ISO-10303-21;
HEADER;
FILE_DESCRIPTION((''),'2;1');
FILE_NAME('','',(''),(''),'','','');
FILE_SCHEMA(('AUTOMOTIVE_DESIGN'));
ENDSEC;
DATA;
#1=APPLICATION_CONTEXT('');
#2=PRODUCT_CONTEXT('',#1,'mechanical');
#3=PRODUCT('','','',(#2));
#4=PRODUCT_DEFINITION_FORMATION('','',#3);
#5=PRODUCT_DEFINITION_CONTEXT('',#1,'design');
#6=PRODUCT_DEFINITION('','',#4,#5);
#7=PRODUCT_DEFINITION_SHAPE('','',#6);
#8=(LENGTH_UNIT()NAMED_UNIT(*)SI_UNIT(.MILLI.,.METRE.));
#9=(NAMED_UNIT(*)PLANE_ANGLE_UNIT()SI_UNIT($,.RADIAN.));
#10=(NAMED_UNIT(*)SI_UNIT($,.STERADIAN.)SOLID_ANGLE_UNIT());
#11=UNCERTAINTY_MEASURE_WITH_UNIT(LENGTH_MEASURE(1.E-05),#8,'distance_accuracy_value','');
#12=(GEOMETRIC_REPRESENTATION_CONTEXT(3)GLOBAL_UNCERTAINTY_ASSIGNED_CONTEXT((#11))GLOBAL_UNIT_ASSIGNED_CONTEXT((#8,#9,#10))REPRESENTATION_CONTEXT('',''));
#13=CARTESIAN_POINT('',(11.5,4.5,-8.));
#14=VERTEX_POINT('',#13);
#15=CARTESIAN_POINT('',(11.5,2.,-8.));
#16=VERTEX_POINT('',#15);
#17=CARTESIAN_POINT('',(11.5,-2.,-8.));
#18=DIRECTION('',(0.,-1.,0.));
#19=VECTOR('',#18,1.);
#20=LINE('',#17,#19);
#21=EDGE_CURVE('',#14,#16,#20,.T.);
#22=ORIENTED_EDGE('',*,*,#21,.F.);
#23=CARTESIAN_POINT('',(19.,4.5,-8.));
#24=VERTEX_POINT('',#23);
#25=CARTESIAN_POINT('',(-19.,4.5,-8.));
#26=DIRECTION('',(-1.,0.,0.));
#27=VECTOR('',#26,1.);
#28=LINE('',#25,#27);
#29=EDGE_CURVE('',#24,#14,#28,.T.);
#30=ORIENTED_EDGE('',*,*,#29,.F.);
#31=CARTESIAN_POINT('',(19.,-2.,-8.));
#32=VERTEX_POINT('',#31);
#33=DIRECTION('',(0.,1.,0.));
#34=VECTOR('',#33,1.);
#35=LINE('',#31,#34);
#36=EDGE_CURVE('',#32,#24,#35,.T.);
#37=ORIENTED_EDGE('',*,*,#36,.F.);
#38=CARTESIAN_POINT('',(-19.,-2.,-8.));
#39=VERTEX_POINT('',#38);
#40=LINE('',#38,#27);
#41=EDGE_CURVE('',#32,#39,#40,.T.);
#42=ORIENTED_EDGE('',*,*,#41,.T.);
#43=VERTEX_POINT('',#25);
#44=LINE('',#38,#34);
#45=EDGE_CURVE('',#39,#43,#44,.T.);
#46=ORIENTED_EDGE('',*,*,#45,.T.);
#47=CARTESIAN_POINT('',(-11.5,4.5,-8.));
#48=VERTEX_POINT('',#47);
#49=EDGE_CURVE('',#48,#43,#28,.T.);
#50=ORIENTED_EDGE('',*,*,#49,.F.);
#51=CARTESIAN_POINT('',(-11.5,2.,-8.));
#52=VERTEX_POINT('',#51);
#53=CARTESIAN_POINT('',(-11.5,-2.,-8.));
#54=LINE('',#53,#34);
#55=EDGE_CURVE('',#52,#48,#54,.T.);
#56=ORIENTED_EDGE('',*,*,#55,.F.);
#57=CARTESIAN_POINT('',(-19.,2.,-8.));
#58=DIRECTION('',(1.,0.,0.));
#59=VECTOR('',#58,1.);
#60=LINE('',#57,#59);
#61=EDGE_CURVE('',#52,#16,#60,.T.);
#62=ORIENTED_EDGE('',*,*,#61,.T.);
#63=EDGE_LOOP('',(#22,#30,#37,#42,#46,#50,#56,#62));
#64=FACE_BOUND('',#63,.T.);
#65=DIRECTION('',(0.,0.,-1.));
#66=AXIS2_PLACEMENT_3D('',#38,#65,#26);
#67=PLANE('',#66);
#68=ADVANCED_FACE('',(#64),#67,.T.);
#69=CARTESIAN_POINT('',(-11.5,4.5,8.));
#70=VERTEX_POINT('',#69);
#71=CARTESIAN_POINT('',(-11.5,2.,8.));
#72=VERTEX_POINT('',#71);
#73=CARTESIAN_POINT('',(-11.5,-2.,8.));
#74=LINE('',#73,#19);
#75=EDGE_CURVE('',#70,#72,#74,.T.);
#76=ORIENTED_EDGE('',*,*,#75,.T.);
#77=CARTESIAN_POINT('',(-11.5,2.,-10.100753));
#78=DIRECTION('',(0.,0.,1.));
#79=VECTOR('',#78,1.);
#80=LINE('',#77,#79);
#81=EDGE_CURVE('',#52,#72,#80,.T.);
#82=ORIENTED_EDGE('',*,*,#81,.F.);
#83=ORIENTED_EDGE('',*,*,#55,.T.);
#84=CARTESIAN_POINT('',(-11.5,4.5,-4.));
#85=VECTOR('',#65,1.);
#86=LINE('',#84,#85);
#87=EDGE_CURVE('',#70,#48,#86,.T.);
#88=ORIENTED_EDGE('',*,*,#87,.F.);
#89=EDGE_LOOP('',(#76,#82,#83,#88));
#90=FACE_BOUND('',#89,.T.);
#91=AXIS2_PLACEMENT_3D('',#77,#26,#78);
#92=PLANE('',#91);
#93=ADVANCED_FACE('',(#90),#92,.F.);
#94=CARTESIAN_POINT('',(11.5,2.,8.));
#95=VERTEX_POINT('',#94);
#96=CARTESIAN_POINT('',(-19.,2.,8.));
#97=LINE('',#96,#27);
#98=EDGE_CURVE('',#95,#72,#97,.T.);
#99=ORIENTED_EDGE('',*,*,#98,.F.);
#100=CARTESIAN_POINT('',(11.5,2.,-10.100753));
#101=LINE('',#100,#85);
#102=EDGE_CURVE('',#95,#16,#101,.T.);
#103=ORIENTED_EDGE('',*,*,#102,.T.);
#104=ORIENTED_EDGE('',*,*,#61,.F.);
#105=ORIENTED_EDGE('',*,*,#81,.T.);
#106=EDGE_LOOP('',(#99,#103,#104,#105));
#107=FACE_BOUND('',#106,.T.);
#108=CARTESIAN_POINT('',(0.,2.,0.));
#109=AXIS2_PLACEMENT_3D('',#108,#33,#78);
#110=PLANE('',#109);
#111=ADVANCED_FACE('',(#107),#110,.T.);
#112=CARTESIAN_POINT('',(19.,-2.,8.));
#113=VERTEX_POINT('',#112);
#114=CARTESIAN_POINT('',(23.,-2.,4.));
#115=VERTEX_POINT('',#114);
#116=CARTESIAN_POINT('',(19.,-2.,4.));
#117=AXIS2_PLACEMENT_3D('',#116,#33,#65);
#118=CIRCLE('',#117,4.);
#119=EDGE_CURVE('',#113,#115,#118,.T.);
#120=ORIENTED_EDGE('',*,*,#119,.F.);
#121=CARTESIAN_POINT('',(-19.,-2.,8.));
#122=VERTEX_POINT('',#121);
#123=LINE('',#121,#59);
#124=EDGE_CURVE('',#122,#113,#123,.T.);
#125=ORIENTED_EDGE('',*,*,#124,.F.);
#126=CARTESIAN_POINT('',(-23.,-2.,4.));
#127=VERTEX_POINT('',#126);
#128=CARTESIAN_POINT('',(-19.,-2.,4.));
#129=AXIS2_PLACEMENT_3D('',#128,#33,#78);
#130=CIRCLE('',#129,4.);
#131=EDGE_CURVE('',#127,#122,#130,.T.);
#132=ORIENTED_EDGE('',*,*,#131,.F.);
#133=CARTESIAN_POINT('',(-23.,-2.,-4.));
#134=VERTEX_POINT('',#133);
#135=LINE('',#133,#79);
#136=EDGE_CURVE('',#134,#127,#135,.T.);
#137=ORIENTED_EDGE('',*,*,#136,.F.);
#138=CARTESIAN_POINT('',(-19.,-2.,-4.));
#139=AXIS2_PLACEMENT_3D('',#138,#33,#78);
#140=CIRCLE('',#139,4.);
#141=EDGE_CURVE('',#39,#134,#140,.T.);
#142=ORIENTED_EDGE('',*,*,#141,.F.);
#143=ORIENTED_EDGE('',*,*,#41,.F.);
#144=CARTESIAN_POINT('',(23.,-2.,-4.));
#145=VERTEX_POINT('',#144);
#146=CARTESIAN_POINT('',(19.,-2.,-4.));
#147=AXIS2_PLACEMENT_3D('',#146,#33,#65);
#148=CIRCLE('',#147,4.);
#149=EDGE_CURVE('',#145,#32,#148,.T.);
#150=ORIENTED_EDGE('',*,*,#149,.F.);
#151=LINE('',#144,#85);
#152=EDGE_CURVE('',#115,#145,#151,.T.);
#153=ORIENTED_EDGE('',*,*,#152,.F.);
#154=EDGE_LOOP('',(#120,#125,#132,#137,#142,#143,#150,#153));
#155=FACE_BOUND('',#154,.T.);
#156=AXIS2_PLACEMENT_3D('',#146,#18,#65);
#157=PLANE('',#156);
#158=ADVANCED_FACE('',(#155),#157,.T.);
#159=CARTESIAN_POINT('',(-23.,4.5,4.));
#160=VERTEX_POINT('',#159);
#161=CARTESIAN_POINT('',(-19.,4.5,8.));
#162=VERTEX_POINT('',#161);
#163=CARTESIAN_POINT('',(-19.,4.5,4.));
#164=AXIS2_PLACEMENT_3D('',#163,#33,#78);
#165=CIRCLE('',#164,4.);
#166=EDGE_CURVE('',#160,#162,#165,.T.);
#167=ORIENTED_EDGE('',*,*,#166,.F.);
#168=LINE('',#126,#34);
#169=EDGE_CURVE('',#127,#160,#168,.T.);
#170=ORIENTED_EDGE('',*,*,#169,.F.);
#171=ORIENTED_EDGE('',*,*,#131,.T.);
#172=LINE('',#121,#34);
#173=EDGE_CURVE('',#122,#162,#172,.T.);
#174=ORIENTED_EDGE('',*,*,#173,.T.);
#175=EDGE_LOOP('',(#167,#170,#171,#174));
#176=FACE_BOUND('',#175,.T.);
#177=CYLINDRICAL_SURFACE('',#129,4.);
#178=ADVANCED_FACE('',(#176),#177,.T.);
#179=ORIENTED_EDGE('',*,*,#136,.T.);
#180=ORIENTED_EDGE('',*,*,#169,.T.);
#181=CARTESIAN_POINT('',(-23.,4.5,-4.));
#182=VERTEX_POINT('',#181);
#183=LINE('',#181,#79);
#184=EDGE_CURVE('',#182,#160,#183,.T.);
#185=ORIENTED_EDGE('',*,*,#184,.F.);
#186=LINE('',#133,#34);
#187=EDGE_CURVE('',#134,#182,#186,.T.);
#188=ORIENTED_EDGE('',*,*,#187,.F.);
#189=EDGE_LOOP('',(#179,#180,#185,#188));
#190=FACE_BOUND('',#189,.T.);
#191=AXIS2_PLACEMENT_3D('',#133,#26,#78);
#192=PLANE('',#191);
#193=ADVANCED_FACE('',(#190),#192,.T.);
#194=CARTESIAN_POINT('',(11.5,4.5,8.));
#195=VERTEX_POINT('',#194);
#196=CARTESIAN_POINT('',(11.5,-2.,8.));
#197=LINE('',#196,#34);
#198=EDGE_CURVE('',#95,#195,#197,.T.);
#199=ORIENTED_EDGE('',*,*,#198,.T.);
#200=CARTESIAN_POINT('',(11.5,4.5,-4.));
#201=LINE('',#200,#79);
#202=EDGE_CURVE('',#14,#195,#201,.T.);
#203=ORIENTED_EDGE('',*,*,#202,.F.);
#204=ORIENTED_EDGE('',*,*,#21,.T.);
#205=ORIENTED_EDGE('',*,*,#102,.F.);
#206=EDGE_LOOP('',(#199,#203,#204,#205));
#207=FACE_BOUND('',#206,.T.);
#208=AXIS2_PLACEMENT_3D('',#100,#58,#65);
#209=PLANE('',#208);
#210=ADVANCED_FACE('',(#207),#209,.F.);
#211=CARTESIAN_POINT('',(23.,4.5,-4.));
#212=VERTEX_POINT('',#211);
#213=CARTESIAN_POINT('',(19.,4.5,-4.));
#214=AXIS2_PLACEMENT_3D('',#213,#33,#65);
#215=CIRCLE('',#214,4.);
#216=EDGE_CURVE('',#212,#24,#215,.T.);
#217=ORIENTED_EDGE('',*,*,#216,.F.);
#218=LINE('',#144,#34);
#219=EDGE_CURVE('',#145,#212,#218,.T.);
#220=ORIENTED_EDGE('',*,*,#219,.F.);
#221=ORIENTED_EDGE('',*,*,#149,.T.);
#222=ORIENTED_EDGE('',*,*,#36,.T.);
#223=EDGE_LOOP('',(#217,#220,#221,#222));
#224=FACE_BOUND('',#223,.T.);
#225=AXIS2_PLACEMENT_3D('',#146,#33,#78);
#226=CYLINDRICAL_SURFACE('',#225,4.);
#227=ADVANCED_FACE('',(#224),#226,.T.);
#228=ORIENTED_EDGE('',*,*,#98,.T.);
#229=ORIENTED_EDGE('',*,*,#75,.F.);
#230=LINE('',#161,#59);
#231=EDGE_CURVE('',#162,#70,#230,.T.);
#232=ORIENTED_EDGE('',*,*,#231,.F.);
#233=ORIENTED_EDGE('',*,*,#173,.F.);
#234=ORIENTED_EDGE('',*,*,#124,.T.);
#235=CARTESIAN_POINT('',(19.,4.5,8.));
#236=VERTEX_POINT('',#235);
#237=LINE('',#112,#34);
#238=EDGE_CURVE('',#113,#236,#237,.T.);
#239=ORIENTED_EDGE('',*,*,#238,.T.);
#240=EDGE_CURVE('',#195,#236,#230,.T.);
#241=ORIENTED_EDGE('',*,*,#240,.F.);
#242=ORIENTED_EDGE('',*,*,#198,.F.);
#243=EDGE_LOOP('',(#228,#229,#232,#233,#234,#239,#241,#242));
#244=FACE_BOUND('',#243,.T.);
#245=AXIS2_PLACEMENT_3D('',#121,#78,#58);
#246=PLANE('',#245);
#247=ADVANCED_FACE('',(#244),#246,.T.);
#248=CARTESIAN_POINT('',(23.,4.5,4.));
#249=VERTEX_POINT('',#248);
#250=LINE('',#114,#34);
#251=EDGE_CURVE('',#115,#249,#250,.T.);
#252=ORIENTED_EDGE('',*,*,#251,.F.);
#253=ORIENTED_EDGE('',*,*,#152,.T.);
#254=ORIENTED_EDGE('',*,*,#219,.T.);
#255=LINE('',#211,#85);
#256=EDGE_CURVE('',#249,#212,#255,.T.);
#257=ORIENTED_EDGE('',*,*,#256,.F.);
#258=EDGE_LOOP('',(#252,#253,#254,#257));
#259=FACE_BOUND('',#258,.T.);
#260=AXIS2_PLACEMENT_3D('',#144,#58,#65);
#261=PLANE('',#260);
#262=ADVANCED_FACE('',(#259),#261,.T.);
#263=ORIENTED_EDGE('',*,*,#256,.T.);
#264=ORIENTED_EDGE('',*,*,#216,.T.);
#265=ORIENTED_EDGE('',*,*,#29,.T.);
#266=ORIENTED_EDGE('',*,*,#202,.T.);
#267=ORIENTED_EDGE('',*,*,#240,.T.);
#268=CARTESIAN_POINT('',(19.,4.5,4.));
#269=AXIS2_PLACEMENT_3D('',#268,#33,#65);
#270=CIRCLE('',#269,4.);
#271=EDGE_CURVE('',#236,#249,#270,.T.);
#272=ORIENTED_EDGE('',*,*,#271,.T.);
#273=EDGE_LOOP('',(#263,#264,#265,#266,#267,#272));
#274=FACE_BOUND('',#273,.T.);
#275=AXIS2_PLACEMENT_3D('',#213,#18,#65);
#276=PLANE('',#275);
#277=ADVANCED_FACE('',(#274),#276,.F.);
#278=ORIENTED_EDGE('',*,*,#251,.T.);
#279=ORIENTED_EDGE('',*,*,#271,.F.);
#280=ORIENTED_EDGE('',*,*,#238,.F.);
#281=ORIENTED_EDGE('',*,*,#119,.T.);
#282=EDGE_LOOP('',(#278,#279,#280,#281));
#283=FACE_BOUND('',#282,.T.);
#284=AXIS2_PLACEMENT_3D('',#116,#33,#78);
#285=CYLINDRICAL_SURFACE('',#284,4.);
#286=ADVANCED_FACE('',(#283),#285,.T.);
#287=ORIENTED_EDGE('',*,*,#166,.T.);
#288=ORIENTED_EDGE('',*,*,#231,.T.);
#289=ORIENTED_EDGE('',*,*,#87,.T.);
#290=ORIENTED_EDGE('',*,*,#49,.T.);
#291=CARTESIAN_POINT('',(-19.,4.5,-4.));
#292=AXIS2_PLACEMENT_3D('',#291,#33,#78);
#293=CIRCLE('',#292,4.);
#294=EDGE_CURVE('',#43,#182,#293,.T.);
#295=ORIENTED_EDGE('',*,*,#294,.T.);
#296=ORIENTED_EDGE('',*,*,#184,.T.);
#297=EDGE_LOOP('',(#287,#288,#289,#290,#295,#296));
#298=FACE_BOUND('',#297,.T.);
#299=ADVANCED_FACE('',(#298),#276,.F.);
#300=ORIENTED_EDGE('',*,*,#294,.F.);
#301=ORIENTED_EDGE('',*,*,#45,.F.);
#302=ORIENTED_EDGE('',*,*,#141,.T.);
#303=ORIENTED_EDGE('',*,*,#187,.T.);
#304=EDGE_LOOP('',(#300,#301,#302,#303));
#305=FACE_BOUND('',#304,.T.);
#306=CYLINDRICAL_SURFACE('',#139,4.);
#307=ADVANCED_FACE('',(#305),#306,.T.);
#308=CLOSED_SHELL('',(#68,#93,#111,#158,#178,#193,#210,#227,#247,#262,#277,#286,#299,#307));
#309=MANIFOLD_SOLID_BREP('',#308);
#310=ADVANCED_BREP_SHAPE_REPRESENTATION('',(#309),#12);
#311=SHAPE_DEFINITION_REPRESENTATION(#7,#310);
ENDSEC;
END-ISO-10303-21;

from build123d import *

# Parameters (mm, degrees)
SALIENTE_EXTRUIR1_DEPTH      = 4.5
SALIENTE_EXTRUIR1_DEPTH_BACK = 2
CROQUIS2_W                   = 23
CROQUIS2_H                   = 20.20150629
CORTAR_EXTRUIR1_DEPTH        = 2.5


with BuildPart() as part:
    # Croquis1 → Saliente-Extruir1 (new, two sides: drawn at the far end of the back side and taken through both)
    with BuildSketch(Plane(origin=(0, 0, 0), x_dir=(1, 0, 0), z_dir=(0, 1, 0)).offset(-SALIENTE_EXTRUIR1_DEPTH_BACK)):
        with BuildLine():
            Line((-19, 8), (19, 8))
            ThreePointArc((19, 8), (21.828427125, 6.828427125), (23, 4))
            Line((23, 4), (23, -4))
            ThreePointArc((23, -4), (21.828427125, -6.828427125), (19, -8))
            Line((19, -8), (-19, -8))
            ThreePointArc((-19, -8), (-21.828427125, -6.828427125), (-23, -4))
            Line((-23, -4), (-23, 4))
            ThreePointArc((-23, 4), (-21.828427125, 6.828427125), (-19, 8))
        make_face()
    extrude(amount=SALIENTE_EXTRUIR1_DEPTH + SALIENTE_EXTRUIR1_DEPTH_BACK)

    # Croquis2 → Cortar-Extruir1 (cut)
    with BuildSketch(Plane(origin=(0, 4.5, 0), x_dir=(1, 0, 0), z_dir=(0, 1, 0))):
        Rectangle(CROQUIS2_W, CROQUIS2_H)
    extrude(amount=-CORTAR_EXTRUIR1_DEPTH, mode=Mode.SUBTRACT)


solid = part.part
